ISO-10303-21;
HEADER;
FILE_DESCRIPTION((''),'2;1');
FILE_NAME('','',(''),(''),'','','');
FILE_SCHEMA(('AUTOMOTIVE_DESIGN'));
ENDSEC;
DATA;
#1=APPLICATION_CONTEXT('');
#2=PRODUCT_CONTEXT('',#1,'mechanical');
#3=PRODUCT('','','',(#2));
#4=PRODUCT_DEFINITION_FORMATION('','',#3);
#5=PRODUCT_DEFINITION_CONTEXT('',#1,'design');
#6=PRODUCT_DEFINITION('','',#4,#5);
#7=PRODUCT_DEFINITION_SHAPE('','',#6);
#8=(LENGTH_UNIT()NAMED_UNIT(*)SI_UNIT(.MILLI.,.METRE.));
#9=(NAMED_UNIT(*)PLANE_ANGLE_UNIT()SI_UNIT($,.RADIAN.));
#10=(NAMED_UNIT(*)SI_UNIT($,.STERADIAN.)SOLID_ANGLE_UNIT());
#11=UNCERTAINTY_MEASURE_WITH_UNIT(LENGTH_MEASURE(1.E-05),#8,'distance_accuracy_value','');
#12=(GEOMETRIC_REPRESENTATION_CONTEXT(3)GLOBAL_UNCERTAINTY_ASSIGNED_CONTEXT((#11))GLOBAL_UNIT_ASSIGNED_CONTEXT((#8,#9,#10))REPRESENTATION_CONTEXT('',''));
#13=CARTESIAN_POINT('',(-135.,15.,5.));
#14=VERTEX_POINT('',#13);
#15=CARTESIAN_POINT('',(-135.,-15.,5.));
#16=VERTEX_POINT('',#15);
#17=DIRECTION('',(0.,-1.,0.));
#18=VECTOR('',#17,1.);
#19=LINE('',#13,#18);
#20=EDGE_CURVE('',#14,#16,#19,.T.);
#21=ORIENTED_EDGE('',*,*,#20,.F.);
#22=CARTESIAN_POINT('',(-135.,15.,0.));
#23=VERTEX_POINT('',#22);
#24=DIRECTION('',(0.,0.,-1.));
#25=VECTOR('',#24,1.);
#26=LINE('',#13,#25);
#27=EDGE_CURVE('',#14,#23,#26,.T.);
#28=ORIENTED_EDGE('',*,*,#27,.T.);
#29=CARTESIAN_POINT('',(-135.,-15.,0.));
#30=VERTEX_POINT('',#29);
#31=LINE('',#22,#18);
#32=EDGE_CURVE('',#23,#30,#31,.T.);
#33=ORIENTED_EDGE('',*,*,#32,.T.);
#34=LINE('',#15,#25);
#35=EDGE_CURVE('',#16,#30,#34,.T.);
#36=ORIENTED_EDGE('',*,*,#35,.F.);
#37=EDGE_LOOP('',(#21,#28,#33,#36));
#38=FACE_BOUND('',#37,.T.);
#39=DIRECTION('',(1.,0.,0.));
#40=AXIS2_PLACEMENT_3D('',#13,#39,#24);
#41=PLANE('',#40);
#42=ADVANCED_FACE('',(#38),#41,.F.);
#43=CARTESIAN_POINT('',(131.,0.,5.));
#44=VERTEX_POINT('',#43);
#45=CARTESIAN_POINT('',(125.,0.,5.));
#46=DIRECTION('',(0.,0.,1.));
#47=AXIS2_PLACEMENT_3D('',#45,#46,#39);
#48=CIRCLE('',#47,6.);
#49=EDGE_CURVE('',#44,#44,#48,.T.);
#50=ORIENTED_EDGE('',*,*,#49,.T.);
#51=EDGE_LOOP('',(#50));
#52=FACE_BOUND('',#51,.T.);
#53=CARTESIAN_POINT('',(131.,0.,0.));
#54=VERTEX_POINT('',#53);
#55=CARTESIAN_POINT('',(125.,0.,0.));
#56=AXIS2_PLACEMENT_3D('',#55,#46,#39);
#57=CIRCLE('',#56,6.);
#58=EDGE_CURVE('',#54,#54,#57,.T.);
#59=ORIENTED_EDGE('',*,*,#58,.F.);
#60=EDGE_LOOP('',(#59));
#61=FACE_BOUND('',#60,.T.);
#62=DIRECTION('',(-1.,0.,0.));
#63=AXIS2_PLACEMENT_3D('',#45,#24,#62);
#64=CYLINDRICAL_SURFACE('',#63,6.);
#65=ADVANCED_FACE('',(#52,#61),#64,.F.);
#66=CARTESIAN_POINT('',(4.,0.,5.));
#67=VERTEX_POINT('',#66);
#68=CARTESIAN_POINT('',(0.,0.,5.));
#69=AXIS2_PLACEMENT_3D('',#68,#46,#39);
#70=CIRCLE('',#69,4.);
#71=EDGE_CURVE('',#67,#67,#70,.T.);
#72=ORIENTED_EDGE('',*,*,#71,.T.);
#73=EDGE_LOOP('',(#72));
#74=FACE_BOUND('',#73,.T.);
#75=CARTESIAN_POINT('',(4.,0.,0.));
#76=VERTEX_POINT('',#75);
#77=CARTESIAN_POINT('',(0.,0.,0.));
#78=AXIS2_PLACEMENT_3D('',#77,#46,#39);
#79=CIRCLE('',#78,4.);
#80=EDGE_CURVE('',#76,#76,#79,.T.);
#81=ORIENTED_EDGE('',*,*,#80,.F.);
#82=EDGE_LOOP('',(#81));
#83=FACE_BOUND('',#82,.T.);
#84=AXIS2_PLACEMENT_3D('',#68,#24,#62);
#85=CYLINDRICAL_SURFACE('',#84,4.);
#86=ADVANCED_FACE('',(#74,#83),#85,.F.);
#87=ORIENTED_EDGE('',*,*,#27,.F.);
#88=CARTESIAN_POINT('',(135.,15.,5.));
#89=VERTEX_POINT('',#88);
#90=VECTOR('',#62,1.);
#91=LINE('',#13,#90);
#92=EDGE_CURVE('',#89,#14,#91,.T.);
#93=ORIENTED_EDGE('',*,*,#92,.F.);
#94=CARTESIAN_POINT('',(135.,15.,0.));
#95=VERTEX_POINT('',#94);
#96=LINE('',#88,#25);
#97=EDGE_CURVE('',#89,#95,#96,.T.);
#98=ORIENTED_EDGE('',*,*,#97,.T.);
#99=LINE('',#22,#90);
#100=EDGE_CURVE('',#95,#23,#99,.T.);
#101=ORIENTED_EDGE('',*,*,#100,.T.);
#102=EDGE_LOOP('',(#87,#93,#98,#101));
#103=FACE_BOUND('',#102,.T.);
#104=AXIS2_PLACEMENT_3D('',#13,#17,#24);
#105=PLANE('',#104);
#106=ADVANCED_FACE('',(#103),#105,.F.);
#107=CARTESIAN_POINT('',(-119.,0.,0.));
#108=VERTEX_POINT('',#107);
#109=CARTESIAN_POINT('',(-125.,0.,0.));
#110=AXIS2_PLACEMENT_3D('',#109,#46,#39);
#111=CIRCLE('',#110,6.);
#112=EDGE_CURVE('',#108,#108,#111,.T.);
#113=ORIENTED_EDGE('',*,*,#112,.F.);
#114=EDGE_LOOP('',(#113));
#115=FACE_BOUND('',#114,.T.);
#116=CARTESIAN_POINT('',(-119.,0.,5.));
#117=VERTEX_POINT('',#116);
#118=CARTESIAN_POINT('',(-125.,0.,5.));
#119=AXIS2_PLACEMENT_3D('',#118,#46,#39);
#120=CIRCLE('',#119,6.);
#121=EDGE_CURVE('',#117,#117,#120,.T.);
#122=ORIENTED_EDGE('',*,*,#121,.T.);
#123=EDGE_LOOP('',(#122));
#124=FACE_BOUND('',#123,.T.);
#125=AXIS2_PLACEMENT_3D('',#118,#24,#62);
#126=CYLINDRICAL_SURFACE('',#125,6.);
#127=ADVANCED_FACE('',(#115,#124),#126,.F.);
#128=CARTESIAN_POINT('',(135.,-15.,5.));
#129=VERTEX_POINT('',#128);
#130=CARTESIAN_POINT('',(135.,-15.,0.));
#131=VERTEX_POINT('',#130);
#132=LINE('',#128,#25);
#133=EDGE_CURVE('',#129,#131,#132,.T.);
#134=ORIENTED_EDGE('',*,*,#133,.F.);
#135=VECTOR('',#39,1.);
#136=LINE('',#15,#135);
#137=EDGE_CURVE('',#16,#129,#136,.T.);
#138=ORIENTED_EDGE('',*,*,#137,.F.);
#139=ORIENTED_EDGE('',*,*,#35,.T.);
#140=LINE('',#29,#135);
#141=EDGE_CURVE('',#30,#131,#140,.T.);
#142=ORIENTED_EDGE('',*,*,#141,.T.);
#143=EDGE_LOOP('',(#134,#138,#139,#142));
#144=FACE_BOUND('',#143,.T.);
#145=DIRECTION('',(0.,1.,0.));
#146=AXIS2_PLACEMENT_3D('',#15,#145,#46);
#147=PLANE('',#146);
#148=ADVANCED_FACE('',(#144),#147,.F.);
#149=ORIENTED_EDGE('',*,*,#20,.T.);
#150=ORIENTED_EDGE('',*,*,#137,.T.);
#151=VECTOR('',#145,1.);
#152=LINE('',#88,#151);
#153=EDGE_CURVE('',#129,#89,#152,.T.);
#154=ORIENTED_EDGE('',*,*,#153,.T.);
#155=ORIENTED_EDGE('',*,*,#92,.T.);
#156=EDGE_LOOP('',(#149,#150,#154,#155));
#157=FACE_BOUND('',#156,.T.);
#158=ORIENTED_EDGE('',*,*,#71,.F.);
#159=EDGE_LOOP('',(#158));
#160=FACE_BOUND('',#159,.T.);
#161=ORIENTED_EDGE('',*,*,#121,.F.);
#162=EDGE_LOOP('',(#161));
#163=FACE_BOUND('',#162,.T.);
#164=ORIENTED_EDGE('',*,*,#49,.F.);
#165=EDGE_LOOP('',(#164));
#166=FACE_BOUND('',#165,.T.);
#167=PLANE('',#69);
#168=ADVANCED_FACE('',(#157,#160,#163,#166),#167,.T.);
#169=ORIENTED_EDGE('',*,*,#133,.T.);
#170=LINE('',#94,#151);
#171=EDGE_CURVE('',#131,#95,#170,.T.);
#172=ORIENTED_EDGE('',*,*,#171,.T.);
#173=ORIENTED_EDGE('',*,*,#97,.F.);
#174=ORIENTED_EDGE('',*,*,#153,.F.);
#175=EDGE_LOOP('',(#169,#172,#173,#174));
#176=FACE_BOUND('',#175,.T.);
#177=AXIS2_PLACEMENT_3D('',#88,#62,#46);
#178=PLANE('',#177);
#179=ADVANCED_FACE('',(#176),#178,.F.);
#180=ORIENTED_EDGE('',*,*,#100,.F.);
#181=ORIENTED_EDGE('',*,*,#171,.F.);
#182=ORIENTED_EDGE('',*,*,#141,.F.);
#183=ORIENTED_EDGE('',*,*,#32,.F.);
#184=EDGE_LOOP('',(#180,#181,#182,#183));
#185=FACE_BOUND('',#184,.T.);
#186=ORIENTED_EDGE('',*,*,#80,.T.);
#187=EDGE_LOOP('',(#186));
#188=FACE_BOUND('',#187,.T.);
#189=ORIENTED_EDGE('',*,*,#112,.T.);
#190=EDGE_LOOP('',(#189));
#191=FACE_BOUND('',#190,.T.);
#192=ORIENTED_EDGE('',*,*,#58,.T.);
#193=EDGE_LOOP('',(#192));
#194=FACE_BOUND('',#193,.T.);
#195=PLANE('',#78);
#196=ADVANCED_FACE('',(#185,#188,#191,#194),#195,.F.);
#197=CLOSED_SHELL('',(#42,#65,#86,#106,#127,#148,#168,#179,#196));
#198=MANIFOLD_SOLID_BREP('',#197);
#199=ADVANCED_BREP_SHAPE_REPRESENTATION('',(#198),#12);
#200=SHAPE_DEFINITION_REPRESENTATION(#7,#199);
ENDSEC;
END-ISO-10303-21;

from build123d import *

# Parameters (mm, degrees)
SKETCH_1_W      = 270
SKETCH_1_H      = 30
SKETCH_1_R      = 6
SKETCH_1_R_2    = 4
EXTRUDE_1_DEPTH = 5


with BuildPart() as part:
    # 草图1 → 凸台-拉伸1 (new body)
    with BuildSketch(Plane.XY):
        Rectangle(SKETCH_1_W, SKETCH_1_H)
        with Locations((-125, 0)):
            Circle(SKETCH_1_R, mode=Mode.SUBTRACT)
        with Locations((125, 0)):
            Circle(SKETCH_1_R, mode=Mode.SUBTRACT)
        Circle(SKETCH_1_R_2, mode=Mode.SUBTRACT)
    extrude(amount=EXTRUDE_1_DEPTH)


solid = part.part
